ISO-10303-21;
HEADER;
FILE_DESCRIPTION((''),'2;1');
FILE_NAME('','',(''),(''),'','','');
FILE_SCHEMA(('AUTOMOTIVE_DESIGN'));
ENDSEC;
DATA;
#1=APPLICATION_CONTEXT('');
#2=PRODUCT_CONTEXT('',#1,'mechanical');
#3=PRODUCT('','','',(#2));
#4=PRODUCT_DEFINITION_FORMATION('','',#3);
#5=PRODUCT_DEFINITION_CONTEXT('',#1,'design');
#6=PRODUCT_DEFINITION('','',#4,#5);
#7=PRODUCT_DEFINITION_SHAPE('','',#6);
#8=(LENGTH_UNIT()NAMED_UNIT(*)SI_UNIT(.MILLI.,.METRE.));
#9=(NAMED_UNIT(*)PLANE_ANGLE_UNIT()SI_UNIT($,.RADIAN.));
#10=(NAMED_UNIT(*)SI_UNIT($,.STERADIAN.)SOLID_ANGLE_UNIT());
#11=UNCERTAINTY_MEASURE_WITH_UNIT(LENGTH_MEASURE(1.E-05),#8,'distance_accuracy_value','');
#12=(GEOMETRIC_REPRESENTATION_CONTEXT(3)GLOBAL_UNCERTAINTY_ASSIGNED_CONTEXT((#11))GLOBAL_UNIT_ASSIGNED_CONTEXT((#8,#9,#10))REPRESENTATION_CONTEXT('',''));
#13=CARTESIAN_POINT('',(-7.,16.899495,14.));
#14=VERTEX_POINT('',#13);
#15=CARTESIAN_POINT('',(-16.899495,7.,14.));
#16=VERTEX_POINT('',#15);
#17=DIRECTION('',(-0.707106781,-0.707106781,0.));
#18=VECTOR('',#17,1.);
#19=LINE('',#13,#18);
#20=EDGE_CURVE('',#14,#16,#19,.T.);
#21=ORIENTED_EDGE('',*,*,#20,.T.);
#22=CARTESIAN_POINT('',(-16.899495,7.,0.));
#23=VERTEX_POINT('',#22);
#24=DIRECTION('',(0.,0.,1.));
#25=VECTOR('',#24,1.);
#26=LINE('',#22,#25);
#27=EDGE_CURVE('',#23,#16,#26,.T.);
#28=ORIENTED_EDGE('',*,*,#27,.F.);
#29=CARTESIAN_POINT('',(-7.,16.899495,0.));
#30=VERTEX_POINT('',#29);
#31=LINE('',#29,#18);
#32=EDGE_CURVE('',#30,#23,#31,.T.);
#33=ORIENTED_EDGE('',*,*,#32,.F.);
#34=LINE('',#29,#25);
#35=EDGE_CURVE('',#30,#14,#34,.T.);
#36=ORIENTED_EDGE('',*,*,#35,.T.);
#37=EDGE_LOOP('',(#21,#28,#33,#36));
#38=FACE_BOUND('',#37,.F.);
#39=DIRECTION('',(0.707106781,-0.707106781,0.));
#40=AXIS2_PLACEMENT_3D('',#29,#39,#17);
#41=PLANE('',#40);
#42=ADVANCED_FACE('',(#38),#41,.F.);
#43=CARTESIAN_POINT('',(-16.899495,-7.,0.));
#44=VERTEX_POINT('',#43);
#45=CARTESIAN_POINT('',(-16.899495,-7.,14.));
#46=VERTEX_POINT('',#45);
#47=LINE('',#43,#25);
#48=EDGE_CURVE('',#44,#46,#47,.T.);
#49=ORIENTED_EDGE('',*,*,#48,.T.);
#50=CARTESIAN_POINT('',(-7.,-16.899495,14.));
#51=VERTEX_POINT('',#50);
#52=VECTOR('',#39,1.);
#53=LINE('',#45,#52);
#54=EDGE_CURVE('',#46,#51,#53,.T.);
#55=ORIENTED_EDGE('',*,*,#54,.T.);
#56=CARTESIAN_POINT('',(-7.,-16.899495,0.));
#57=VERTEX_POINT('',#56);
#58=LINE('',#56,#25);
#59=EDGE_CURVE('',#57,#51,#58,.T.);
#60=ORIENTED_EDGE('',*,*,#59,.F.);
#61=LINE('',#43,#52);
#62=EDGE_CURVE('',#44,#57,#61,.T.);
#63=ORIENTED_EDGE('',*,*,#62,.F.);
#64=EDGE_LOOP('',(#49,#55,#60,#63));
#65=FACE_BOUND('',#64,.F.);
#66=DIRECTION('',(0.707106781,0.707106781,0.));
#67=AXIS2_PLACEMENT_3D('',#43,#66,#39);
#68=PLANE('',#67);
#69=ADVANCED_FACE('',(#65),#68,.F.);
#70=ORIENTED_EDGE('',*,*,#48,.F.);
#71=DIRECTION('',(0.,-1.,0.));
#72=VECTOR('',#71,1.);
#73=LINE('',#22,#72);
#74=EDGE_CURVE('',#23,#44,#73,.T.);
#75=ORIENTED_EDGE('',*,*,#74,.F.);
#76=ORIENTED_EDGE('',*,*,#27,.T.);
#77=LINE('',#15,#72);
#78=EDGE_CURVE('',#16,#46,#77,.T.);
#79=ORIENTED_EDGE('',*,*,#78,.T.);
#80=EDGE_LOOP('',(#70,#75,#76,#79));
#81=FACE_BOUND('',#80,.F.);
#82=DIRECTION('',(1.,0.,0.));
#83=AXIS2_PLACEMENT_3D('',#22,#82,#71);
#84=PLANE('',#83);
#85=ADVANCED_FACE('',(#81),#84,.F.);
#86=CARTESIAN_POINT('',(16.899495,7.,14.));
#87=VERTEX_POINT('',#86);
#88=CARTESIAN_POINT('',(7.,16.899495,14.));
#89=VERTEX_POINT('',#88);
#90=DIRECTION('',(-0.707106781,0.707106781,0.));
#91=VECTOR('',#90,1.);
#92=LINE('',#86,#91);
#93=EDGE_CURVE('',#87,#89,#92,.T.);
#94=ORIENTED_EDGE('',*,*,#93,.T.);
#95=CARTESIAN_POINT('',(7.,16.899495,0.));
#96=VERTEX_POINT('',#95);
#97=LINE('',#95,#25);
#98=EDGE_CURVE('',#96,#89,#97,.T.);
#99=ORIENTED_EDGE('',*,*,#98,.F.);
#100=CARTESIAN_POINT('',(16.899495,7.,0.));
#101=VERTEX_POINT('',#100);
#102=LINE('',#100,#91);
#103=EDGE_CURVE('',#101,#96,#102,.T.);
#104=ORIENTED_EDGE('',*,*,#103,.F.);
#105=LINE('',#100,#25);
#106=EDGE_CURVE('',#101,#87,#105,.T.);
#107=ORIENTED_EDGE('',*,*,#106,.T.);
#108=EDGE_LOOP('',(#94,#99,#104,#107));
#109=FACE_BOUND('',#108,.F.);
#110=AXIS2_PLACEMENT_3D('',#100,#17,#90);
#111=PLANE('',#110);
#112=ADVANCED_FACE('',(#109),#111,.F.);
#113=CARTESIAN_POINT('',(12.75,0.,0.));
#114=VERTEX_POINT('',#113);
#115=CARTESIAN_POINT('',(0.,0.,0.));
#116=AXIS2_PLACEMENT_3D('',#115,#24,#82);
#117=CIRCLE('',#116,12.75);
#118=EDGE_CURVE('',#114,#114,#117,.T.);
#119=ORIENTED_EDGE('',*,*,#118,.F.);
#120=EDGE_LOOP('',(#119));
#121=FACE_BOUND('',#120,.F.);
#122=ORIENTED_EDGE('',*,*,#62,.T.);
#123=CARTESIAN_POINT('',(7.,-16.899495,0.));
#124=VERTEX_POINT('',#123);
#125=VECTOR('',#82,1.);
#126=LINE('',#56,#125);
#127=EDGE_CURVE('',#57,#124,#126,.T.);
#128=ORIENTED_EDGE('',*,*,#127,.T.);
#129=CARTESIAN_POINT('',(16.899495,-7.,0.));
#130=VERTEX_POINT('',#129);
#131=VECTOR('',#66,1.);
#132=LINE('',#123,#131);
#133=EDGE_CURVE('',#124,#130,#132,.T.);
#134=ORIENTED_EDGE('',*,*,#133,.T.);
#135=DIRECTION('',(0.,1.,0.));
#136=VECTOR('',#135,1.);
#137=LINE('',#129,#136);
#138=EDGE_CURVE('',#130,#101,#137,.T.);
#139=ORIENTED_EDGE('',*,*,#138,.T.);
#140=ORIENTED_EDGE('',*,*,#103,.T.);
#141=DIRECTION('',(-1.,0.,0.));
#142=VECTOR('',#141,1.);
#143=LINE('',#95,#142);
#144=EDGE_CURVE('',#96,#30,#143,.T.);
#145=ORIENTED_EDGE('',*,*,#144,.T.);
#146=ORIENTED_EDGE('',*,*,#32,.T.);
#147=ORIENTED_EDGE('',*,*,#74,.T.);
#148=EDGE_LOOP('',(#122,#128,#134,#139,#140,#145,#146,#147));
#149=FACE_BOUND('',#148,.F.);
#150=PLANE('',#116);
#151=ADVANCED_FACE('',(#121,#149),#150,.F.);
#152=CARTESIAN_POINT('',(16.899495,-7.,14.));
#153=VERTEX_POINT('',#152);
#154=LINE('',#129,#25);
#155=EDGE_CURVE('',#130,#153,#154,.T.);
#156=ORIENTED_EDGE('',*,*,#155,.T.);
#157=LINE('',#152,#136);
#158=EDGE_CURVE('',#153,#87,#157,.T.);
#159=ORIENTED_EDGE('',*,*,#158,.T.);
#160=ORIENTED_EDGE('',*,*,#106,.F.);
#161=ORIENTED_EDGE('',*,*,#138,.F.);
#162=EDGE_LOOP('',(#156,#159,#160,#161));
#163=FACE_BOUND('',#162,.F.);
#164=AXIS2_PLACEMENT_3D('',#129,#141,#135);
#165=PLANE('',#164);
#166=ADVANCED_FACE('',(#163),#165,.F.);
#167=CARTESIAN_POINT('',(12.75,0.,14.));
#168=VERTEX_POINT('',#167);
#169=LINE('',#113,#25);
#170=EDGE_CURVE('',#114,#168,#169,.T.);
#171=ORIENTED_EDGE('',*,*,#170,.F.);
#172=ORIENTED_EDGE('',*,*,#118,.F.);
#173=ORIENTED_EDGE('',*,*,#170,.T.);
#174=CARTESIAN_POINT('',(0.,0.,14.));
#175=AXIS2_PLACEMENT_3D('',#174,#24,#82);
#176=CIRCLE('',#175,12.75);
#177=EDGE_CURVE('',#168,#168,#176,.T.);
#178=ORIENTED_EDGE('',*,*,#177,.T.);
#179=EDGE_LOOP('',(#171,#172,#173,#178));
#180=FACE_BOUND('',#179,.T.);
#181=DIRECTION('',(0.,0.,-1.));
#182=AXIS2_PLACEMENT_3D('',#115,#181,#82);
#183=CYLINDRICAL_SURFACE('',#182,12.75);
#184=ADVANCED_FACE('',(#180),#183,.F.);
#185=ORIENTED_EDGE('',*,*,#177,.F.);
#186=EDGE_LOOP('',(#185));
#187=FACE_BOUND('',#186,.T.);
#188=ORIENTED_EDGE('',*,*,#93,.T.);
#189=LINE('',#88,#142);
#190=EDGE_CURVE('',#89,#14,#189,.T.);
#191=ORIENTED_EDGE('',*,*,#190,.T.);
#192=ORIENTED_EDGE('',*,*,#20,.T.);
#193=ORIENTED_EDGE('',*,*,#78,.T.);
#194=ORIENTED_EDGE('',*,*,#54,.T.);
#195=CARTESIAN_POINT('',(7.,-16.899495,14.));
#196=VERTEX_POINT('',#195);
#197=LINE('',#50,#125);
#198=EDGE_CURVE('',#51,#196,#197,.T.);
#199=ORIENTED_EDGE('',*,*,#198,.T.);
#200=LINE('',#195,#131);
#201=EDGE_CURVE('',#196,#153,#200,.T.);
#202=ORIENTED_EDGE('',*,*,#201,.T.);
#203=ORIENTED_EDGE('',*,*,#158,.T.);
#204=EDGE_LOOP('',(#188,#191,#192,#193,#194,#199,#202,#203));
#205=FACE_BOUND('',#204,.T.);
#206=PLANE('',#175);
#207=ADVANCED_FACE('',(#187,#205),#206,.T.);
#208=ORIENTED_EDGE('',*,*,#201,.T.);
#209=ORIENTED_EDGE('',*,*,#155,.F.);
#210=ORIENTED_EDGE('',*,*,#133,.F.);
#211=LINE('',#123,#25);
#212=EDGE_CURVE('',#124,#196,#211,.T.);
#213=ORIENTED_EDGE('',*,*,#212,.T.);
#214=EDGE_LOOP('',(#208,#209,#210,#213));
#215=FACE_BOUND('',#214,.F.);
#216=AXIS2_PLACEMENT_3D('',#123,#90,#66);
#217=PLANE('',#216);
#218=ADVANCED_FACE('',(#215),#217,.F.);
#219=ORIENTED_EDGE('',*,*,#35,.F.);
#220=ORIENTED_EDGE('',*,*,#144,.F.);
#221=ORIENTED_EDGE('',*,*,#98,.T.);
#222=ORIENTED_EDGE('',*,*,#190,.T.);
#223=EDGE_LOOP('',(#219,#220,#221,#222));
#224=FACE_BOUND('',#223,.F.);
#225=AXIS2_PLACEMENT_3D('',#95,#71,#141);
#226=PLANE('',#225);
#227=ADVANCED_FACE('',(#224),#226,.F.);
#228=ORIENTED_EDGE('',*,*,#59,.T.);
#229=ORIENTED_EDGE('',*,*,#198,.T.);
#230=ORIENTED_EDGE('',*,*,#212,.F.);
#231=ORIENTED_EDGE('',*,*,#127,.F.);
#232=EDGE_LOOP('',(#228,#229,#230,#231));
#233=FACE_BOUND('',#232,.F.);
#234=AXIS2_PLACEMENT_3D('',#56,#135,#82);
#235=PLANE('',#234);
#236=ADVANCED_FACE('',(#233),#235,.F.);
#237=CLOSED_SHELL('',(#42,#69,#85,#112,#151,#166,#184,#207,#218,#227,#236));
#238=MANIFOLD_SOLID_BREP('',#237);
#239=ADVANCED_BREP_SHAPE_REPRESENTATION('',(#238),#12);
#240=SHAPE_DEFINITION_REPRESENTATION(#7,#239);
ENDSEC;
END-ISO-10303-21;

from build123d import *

# Parameters (mm, degrees)
F0_R     = 12.75
F1_DEPTH = 14


with BuildPart() as f1:
    # F0 (on Top) → F1 (new body)
    with BuildSketch(Plane.XY):
        Polygon((-7, 16.899495), (-16.899495, 7), (-16.899495, -7), (-7, -16.899495), (7, -16.899495), (16.899495, -7), (16.899495, 7), (7, 16.899495), align=None)
        Circle(F0_R, mode=Mode.SUBTRACT)
    extrude(amount=F1_DEPTH)


solid = f1.part
